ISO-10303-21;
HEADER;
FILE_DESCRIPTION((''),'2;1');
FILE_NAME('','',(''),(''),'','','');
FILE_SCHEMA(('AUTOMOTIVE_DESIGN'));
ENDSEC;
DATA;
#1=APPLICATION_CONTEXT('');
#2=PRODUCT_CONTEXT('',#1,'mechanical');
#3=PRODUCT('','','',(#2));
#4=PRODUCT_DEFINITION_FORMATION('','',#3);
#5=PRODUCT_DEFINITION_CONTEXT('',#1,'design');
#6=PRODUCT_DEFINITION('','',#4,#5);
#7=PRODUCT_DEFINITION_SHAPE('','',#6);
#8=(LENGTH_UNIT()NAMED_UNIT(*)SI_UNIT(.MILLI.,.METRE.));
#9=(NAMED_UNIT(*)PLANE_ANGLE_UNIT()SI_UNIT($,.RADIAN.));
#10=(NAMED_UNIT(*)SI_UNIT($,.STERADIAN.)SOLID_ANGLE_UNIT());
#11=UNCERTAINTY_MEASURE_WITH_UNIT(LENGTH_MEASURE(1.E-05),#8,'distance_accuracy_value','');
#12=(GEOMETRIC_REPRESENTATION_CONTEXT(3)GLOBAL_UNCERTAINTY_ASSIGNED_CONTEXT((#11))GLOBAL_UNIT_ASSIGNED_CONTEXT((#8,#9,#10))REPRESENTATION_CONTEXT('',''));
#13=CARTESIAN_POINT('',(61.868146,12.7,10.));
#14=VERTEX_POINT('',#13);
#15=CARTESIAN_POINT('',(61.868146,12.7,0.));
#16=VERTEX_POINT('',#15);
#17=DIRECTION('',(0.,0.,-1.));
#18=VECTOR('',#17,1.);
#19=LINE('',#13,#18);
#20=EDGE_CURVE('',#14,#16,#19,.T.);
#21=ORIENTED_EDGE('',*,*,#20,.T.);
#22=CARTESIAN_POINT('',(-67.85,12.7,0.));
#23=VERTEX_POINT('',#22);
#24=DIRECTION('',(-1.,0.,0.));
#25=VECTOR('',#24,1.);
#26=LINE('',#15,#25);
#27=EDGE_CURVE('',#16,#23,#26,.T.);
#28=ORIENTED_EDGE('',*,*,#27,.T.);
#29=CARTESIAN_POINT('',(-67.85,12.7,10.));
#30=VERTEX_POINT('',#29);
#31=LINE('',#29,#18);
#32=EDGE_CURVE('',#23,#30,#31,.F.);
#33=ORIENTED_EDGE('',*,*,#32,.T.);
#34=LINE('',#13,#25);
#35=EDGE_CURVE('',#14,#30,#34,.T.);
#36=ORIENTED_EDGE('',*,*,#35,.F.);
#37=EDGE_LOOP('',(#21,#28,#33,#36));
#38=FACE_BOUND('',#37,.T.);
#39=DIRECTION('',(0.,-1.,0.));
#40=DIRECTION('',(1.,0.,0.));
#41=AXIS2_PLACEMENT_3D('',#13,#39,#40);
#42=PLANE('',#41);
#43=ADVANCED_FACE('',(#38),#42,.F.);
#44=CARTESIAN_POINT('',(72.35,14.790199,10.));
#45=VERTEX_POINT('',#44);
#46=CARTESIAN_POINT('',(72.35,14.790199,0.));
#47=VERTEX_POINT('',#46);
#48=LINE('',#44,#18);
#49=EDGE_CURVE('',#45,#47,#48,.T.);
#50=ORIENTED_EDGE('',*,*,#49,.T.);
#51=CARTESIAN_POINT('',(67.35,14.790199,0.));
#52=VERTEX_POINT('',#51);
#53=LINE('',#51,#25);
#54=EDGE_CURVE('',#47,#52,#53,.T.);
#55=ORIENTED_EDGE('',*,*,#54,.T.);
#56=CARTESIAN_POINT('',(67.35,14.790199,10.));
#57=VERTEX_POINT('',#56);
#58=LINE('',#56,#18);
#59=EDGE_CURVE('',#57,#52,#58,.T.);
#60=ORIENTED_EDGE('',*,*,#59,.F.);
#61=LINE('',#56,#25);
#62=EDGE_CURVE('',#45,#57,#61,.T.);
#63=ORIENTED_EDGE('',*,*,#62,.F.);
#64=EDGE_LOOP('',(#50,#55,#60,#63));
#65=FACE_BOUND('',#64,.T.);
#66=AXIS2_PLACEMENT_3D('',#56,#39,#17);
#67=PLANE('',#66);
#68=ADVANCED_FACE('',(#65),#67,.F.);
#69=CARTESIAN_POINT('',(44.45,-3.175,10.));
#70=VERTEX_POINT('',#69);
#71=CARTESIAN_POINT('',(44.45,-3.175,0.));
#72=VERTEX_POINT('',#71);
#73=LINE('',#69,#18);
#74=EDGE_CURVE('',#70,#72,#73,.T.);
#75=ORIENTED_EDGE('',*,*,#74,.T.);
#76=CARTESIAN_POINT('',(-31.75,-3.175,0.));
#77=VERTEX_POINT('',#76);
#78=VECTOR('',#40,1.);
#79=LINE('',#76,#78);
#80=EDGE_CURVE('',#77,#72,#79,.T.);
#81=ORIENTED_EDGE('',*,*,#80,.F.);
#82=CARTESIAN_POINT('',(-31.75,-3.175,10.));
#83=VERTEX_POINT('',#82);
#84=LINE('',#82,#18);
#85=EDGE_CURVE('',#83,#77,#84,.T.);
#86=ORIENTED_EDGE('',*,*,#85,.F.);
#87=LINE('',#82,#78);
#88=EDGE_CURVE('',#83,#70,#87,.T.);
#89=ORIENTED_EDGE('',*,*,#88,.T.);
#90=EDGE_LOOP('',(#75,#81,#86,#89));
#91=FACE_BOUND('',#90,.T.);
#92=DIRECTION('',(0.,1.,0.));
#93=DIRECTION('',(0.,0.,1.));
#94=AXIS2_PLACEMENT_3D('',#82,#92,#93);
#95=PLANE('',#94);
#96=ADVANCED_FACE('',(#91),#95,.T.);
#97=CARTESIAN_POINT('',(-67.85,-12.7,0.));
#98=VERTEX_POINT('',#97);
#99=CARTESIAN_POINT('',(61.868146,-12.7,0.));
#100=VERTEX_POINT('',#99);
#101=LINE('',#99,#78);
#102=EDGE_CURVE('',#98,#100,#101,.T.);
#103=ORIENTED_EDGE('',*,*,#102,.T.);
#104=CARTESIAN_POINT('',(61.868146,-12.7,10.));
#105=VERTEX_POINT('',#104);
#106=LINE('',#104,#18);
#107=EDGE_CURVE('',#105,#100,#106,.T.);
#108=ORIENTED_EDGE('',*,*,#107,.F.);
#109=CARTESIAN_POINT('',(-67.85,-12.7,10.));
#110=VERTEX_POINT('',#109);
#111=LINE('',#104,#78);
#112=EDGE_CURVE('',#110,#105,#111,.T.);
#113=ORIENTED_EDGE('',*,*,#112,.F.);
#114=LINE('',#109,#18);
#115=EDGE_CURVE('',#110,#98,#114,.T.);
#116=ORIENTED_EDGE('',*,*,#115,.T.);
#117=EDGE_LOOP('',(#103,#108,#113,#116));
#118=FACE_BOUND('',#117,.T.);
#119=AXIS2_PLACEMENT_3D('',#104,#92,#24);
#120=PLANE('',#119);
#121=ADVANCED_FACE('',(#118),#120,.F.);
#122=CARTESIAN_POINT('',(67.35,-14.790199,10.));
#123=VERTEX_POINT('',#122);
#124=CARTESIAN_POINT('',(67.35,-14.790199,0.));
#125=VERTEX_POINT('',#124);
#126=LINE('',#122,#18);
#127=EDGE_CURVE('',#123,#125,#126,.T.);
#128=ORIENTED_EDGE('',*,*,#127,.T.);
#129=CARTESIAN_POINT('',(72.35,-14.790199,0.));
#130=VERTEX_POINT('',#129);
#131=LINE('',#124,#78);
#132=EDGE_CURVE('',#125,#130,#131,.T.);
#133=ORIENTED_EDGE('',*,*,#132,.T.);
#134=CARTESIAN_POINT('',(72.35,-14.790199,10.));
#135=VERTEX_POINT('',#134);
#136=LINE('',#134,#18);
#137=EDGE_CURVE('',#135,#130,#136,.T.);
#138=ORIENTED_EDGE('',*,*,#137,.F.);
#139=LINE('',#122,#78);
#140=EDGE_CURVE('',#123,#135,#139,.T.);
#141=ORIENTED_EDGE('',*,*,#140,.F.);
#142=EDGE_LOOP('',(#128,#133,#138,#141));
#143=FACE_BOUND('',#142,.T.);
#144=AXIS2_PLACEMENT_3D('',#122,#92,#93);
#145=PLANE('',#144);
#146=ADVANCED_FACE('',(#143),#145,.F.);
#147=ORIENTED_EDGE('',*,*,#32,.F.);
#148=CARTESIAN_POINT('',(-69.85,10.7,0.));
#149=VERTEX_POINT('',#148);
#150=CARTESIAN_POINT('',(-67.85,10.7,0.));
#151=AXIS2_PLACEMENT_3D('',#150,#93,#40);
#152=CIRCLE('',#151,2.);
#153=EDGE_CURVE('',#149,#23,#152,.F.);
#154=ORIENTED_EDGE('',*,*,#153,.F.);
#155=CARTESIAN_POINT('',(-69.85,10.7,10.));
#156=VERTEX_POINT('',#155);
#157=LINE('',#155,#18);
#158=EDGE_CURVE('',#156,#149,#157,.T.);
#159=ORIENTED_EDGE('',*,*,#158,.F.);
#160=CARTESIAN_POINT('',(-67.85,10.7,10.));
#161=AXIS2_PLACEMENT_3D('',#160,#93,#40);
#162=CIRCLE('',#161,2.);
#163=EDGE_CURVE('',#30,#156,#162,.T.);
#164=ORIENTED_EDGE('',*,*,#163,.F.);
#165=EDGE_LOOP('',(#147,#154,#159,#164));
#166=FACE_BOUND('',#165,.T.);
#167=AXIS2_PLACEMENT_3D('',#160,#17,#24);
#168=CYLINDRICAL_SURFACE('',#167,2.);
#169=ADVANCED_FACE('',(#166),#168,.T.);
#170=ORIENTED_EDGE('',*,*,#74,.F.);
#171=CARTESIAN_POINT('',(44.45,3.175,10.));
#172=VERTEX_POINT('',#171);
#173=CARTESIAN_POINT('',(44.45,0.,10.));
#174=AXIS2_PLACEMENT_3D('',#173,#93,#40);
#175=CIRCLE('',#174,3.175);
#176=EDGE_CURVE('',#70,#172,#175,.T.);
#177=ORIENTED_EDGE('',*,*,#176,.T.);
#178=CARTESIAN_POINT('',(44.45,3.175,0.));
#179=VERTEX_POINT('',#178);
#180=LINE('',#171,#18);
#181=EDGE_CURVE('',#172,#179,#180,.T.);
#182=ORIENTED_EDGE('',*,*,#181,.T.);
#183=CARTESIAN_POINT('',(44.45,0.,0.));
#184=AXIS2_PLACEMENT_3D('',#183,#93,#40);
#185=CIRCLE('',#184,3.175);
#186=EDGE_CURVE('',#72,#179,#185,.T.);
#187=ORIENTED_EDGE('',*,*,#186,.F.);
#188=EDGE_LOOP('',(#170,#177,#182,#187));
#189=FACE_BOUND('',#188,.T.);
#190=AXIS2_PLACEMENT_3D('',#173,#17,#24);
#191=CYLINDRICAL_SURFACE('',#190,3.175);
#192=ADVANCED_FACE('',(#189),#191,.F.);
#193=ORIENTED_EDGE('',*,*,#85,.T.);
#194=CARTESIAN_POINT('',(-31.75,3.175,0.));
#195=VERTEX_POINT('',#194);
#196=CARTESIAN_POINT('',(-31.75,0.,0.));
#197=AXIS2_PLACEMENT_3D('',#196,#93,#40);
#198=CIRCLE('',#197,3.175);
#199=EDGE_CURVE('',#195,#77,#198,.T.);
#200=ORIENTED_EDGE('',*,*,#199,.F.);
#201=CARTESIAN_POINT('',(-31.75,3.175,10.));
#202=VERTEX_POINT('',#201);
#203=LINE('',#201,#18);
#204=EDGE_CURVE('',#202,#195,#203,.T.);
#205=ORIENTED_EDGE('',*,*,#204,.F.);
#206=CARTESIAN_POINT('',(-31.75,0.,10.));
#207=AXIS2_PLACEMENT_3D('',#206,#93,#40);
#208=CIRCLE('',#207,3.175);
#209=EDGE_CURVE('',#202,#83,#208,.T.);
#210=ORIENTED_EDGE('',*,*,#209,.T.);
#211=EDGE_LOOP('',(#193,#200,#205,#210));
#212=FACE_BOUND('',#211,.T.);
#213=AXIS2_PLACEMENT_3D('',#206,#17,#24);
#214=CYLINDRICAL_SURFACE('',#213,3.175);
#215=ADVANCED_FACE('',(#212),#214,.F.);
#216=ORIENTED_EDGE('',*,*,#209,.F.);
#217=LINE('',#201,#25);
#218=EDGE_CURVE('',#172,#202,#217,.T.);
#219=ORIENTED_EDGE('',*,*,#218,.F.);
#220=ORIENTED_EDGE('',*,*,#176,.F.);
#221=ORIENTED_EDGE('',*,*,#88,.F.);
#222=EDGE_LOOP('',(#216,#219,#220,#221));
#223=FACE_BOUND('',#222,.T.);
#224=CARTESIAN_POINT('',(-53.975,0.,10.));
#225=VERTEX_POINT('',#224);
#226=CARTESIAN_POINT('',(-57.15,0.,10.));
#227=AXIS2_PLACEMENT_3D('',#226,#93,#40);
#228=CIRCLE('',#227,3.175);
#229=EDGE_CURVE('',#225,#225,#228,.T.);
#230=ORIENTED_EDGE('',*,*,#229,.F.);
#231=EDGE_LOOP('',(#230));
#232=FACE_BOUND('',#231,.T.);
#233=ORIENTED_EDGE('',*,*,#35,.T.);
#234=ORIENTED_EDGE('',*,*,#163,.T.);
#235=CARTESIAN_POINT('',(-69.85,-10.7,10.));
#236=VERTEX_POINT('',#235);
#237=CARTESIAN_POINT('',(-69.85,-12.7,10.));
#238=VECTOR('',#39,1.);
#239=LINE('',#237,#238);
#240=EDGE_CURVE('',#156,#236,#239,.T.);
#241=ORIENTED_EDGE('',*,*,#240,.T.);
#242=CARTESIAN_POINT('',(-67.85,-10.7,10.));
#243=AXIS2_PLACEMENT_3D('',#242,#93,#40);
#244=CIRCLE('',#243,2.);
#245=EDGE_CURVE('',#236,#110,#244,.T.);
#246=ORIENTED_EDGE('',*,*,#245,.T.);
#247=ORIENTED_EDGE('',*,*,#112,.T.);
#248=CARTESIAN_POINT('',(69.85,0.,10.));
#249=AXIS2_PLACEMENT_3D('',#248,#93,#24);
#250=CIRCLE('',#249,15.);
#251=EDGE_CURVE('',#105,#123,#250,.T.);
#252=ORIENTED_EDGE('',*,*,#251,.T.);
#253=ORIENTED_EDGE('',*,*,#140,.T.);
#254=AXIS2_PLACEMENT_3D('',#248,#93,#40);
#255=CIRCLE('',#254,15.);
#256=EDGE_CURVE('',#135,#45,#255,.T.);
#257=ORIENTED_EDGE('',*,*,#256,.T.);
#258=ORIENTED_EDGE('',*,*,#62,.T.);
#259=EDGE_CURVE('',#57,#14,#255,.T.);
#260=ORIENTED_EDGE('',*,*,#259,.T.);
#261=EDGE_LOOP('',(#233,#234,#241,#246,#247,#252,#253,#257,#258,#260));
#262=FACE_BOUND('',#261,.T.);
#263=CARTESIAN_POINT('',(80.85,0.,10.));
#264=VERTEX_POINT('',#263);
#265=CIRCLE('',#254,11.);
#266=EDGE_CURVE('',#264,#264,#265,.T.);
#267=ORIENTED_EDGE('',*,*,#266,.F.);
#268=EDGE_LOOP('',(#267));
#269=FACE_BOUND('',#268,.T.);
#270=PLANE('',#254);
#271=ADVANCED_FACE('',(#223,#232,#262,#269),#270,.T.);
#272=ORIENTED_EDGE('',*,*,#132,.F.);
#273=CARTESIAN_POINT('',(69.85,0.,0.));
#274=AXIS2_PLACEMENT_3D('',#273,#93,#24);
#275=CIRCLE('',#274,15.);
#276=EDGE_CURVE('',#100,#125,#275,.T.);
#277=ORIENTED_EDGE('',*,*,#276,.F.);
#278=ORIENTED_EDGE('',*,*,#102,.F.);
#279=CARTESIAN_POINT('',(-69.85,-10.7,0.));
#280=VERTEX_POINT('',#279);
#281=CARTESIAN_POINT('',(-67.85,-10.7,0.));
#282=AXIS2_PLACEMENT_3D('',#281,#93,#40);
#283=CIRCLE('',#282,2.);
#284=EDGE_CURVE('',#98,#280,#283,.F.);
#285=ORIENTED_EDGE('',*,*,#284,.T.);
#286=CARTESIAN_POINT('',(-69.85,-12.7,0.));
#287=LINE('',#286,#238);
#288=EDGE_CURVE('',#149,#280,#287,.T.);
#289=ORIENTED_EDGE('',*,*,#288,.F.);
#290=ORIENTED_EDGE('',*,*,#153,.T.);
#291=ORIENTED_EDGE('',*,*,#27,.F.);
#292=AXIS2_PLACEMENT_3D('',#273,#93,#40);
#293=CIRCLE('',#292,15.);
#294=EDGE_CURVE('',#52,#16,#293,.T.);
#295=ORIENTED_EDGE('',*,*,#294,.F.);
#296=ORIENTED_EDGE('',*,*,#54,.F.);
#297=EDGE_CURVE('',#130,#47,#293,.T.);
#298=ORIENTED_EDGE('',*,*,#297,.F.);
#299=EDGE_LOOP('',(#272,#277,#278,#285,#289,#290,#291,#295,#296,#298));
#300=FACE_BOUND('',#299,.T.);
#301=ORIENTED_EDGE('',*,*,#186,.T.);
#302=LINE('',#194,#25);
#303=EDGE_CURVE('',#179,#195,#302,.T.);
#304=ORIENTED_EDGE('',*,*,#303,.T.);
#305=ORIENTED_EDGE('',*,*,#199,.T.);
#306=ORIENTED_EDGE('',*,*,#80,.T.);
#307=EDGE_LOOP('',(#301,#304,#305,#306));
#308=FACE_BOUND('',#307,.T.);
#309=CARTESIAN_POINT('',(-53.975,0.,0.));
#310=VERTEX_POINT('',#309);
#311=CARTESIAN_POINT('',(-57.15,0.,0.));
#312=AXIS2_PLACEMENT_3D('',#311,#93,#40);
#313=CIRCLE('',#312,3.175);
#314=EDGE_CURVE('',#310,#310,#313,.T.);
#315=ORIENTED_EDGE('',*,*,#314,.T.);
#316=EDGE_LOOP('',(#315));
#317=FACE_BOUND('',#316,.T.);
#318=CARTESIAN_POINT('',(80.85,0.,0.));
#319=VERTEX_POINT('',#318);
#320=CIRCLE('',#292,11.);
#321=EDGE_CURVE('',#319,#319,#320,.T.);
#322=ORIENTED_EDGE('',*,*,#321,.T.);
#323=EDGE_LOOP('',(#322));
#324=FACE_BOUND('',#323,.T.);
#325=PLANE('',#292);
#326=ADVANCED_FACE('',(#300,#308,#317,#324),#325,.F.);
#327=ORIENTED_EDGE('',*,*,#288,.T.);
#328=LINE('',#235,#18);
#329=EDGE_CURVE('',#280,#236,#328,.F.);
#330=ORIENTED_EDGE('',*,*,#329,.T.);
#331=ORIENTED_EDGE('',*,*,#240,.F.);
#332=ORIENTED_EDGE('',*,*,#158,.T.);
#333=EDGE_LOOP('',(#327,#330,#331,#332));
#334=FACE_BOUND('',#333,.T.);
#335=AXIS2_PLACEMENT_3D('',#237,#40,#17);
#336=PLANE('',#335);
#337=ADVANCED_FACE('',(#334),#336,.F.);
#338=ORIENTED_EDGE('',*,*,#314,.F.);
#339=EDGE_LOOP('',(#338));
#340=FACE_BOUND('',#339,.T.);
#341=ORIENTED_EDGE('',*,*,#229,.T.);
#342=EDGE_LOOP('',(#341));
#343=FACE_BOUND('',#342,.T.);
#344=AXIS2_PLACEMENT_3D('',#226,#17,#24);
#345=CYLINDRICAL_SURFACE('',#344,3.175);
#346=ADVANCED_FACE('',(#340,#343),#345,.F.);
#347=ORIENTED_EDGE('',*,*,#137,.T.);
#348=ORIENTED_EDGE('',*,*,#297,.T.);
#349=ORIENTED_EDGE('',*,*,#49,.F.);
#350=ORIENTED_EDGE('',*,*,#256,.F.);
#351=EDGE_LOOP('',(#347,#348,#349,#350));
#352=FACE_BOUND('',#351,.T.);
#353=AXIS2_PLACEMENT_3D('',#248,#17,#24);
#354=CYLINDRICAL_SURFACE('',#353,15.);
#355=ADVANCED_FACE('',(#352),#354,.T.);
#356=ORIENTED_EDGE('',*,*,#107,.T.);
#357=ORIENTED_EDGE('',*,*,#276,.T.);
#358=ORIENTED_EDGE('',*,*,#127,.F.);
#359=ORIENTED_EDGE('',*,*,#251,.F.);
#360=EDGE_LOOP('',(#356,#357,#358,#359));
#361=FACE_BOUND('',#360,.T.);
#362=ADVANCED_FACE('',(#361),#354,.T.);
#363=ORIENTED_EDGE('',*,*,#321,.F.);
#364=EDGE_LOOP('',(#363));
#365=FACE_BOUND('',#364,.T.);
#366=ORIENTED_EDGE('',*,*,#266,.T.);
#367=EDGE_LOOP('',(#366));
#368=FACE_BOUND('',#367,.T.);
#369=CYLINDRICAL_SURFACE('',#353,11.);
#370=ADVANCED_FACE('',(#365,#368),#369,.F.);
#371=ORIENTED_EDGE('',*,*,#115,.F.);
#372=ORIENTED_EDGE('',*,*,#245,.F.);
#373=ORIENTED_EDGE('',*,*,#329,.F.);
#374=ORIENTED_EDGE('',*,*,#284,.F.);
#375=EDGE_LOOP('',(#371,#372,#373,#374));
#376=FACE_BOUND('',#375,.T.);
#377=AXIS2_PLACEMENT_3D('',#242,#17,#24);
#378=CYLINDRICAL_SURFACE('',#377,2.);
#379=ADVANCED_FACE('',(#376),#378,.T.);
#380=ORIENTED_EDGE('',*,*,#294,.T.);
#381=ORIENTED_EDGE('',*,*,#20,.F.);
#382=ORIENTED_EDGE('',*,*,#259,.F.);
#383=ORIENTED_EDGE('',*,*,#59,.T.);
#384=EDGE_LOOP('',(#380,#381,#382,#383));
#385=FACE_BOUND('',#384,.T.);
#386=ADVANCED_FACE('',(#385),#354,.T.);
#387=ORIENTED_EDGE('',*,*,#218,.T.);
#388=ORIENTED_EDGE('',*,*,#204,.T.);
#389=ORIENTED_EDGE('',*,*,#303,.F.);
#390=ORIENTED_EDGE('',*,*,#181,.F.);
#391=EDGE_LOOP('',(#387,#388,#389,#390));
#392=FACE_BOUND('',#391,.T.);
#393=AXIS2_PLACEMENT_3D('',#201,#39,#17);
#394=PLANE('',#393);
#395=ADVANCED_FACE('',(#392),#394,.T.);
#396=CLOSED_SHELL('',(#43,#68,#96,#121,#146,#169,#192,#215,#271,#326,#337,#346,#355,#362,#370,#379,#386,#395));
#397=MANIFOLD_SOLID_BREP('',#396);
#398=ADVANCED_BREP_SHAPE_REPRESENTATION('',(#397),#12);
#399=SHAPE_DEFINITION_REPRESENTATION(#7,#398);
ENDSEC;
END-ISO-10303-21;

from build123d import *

# Parameters (mm, degrees)
SKETCH1_R           = 3.175
SKETCH1_R_2         = 11
BOSS_EXTRUDE1_DEPTH = 10
FILLET3_R           = 2


with BuildPart() as part:
    # Sketch1 → Boss-Extrude1 (new body)
    with BuildSketch(Plane.XY):
        with BuildLine():
            Line((-69.85, -12.7), (-69.85, 12.7))
            Line((-69.85, 12.7), (61.868145579, 12.7))
            ThreePointArc((61.868145579, 12.7), (64.505886278, 14.015721477), (67.35, 14.790199458))
            Line((67.35, 14.790199458), (72.35, 14.790199458))
            ThreePointArc((72.35, 14.790199458), (84.85, 0), (72.35, -14.790199458))
            Line((72.35, -14.790199458), (67.35, -14.790199458))
            ThreePointArc((67.35, -14.790199458), (64.505886278, -14.015721477), (61.868145579, -12.7))
            Line((61.868145579, -12.7), (-69.85, -12.7))
        make_face()
        with Locations((-57.15, 0)):
            Circle(SKETCH1_R, mode=Mode.SUBTRACT)
        with Locations((69.85, 0)):
            Circle(SKETCH1_R_2, mode=Mode.SUBTRACT)
        with BuildLine():
            Line((-31.75, 3.175), (44.45, 3.175))
            ThreePointArc((44.45, 3.175), (47.625, 0), (44.45, -3.175))
            Line((44.45, -3.175), (-31.75, -3.175))
            ThreePointArc((-31.75, -3.175), (-34.925, 0), (-31.75, 3.175))
        make_face(mode=Mode.SUBTRACT)
    extrude(amount=BOSS_EXTRUDE1_DEPTH)

    # Fillet3
    fillet3_edges = [part.edges().sort_by_distance(p)[0] for p in [
        (-69.85, -12.7, 5),
        (-69.85, 12.7, 5),
    ]]
    fillet(fillet3_edges, radius=FILLET3_R)


solid = part.part
